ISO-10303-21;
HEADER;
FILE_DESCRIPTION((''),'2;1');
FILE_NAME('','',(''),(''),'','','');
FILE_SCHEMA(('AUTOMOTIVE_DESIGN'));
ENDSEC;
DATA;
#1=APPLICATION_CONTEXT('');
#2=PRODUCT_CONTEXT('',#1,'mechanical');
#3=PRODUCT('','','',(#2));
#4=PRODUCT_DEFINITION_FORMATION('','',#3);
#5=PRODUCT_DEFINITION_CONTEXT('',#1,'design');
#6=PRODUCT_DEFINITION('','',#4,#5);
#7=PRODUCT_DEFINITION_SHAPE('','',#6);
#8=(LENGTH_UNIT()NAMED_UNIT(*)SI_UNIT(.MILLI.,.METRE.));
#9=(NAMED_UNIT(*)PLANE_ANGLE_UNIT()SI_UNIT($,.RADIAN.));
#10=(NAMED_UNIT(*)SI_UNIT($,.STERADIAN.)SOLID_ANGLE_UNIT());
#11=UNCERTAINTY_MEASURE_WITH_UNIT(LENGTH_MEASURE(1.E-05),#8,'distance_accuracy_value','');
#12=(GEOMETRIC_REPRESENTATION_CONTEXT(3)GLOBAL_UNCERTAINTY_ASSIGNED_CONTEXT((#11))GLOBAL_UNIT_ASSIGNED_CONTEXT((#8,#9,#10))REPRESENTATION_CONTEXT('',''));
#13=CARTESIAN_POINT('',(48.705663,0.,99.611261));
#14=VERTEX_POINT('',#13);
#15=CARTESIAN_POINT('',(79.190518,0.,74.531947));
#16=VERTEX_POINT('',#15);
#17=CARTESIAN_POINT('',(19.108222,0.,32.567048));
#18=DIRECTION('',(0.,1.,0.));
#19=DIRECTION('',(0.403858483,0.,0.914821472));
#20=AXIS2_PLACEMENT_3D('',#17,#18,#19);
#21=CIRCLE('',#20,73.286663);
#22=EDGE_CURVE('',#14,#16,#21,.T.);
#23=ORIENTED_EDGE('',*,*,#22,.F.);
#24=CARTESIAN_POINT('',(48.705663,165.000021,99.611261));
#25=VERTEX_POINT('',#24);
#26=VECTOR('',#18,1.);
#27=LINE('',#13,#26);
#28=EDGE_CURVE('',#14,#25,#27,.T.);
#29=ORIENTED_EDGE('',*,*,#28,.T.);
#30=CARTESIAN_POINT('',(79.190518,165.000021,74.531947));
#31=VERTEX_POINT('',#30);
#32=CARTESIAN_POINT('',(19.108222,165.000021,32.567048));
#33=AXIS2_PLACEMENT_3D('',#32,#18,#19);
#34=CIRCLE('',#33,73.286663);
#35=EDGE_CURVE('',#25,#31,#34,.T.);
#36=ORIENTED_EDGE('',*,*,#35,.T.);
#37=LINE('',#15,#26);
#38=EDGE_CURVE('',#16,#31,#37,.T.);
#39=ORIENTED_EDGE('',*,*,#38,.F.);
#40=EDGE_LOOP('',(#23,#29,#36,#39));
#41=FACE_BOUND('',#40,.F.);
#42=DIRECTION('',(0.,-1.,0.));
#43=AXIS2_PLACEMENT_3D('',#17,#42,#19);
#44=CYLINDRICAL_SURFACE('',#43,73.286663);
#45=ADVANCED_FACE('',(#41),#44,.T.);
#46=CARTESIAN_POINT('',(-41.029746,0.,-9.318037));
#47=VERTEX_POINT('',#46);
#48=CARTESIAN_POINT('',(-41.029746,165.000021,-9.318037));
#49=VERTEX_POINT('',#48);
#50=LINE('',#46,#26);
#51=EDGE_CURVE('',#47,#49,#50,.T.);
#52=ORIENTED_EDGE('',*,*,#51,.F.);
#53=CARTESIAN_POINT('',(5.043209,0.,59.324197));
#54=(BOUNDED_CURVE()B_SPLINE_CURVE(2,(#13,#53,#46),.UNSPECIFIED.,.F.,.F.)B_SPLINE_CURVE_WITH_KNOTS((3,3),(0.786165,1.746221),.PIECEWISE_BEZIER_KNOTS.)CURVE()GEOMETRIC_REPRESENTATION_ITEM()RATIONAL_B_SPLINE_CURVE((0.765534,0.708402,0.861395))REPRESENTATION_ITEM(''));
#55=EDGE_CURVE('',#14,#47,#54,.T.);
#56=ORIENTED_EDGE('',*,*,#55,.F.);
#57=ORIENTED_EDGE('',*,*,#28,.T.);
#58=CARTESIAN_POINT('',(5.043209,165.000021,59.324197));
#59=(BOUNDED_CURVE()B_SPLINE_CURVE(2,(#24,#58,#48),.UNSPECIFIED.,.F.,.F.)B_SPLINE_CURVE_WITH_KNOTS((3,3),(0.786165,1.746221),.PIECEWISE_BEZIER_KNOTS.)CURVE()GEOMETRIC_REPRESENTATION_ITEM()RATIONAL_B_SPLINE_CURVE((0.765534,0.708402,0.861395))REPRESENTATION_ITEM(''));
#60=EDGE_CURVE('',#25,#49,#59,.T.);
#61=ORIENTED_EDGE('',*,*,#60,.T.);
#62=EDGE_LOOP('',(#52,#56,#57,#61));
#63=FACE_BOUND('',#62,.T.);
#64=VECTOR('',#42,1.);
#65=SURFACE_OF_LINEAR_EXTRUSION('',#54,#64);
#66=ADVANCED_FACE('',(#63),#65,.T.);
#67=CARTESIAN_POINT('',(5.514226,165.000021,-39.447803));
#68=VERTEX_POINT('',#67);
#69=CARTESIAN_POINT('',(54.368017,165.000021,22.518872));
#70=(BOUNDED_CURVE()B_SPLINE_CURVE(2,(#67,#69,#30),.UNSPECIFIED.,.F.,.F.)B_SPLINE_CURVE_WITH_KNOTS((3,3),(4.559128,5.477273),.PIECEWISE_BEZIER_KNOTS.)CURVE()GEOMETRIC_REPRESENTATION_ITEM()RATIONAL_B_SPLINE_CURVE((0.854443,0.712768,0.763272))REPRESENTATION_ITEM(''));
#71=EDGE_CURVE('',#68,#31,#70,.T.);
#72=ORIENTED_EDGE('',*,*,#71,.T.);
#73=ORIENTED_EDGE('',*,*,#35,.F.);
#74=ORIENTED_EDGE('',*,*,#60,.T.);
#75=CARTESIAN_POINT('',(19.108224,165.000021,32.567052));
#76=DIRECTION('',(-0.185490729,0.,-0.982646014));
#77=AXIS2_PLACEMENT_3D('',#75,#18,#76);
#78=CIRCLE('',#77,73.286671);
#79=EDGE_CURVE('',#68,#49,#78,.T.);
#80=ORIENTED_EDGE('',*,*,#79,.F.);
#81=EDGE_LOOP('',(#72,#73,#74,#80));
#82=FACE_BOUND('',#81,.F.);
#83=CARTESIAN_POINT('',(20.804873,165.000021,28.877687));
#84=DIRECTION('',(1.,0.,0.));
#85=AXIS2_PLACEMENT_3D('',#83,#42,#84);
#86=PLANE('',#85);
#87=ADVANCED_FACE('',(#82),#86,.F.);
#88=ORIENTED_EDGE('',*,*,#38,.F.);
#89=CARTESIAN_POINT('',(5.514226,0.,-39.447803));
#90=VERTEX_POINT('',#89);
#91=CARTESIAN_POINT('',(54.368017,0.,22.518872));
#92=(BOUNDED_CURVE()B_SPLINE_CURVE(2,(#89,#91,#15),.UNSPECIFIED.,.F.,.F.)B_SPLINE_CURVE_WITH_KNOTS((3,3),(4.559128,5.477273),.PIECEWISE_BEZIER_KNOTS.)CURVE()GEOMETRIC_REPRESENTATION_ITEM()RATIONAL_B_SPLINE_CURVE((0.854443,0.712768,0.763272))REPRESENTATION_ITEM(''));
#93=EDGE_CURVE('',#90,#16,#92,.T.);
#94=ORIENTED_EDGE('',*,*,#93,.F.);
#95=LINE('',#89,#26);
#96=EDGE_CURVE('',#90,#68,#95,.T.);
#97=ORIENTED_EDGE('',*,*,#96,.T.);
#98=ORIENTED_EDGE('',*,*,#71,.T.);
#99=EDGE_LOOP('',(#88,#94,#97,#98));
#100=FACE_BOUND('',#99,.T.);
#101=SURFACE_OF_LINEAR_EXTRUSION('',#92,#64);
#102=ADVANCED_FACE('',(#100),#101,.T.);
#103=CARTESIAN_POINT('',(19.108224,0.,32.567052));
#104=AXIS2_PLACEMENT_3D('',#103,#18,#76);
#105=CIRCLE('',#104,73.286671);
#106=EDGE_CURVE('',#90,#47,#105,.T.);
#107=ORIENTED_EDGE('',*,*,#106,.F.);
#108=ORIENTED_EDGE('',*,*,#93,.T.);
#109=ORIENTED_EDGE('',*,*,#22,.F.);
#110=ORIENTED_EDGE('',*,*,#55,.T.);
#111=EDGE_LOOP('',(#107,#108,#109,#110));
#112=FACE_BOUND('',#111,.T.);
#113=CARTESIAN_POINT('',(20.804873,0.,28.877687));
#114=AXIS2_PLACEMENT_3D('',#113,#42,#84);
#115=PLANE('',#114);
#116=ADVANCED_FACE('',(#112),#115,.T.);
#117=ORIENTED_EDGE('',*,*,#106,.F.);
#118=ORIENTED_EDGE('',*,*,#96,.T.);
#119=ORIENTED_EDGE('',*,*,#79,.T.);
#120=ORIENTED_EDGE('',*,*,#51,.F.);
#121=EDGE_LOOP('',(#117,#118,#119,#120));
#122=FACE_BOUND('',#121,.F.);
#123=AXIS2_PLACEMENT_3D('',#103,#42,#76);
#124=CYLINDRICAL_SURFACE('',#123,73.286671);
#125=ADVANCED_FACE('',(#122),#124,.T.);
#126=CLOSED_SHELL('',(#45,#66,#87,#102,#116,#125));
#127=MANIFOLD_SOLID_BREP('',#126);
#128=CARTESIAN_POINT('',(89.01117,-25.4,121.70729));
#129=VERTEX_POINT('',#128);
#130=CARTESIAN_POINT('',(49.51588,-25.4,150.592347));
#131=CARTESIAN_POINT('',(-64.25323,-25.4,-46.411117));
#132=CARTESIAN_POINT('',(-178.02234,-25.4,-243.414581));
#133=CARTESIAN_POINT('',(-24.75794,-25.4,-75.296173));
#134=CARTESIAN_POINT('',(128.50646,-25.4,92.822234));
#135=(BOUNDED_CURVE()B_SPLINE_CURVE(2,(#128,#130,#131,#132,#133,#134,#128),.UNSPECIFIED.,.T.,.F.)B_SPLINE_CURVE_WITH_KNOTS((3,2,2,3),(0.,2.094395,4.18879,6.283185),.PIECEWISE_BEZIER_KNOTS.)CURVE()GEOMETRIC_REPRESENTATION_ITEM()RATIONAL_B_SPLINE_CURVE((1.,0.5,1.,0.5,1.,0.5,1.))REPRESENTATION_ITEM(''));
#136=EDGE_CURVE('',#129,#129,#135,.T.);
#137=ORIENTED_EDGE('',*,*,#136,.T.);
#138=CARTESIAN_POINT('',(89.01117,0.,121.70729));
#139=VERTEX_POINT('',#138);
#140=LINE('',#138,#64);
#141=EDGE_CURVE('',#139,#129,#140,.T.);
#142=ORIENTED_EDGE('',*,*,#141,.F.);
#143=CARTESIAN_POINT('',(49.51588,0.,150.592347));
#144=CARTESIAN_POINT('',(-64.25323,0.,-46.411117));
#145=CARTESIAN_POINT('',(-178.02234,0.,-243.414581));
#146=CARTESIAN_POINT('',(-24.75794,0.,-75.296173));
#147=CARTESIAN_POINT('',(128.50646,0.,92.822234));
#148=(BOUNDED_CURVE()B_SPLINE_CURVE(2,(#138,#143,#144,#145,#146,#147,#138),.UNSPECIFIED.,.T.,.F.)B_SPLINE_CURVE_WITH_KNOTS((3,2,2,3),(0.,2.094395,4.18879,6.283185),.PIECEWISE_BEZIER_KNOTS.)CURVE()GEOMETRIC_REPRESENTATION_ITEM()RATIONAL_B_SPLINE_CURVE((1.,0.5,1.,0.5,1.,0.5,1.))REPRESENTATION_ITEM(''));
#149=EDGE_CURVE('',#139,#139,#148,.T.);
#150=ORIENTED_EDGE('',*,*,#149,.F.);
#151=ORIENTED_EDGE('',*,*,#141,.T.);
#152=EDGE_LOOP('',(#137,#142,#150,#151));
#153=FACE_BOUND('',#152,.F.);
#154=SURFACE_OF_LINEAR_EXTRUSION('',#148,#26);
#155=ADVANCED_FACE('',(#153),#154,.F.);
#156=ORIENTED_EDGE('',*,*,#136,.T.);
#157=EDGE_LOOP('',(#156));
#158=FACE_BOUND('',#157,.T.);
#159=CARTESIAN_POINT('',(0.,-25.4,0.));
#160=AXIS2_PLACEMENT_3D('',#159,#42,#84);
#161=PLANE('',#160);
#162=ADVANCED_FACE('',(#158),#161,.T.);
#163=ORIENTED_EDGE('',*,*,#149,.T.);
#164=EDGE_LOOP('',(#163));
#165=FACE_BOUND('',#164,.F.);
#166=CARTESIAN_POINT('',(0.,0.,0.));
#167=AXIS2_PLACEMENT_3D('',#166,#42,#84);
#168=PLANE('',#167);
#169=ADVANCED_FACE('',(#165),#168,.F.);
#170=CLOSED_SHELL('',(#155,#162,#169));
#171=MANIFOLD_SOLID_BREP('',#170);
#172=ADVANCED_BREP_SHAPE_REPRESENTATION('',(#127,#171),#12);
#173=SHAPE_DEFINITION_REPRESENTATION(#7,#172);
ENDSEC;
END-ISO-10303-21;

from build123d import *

# Parameters (mm, degrees)
F1_DEPTH = 25.4
F3_DEPTH = 165.000021


with BuildPart() as f1:
    # F0 (on Front) → F1 (new body)
    with BuildSketch(Plane.XZ):
        with BuildLine():
            add(Edge.make_bspline(
                [(89.01117, 121.70729), (49.51588, 150.592347), (-64.25323, -46.411117), (-178.02234, -243.414581), (-24.75794, -75.296173), (128.50646, 92.822234), (89.01117, 121.70729)],
                knots=[0, 0, 0, 2.094395, 2.094395, 4.18879, 4.18879, 6.283185, 6.283185, 6.283185], degree=2, weights=[1, 0.5, 1, 0.5, 1, 0.5, 1]))
        make_face()
    extrude(amount=F1_DEPTH)


with BuildPart() as f3:
    # F2 (on face) → F3 (new body)
    with BuildSketch(Plane(origin=(0, 0, 0), x_dir=(-1, 0, 0), z_dir=(0, 1, 0))):
        with BuildLine():
            add(Edge.make_bspline(
                [(-48.705663, 99.611261), (-5.043209, 59.324197), (41.029746, -9.318037)],
                knots=[0.786165, 0.786165, 0.786165, 1.746221, 1.746221, 1.746221], degree=2, weights=[0.765534, 0.708402, 0.861395]))
            ThreePointArc((-48.705663, 99.611261), (-65.668471, 89.162792), (-79.190518, 74.531947))
            add(Edge.make_bspline(
                [(-5.514226, -39.447803), (-54.368017, 22.518872), (-79.190518, 74.531947)],
                knots=[4.559128, 4.559128, 4.559128, 5.477273, 5.477273, 5.477273], degree=2, weights=[0.854443, 0.712768, 0.763272]))
            ThreePointArc((-5.514226, -39.447803), (20.717038, -28.954364), (41.029746, -9.318037))
        make_face()
    extrude(amount=F3_DEPTH)


solid = Compound([f1.part, f3.part])
